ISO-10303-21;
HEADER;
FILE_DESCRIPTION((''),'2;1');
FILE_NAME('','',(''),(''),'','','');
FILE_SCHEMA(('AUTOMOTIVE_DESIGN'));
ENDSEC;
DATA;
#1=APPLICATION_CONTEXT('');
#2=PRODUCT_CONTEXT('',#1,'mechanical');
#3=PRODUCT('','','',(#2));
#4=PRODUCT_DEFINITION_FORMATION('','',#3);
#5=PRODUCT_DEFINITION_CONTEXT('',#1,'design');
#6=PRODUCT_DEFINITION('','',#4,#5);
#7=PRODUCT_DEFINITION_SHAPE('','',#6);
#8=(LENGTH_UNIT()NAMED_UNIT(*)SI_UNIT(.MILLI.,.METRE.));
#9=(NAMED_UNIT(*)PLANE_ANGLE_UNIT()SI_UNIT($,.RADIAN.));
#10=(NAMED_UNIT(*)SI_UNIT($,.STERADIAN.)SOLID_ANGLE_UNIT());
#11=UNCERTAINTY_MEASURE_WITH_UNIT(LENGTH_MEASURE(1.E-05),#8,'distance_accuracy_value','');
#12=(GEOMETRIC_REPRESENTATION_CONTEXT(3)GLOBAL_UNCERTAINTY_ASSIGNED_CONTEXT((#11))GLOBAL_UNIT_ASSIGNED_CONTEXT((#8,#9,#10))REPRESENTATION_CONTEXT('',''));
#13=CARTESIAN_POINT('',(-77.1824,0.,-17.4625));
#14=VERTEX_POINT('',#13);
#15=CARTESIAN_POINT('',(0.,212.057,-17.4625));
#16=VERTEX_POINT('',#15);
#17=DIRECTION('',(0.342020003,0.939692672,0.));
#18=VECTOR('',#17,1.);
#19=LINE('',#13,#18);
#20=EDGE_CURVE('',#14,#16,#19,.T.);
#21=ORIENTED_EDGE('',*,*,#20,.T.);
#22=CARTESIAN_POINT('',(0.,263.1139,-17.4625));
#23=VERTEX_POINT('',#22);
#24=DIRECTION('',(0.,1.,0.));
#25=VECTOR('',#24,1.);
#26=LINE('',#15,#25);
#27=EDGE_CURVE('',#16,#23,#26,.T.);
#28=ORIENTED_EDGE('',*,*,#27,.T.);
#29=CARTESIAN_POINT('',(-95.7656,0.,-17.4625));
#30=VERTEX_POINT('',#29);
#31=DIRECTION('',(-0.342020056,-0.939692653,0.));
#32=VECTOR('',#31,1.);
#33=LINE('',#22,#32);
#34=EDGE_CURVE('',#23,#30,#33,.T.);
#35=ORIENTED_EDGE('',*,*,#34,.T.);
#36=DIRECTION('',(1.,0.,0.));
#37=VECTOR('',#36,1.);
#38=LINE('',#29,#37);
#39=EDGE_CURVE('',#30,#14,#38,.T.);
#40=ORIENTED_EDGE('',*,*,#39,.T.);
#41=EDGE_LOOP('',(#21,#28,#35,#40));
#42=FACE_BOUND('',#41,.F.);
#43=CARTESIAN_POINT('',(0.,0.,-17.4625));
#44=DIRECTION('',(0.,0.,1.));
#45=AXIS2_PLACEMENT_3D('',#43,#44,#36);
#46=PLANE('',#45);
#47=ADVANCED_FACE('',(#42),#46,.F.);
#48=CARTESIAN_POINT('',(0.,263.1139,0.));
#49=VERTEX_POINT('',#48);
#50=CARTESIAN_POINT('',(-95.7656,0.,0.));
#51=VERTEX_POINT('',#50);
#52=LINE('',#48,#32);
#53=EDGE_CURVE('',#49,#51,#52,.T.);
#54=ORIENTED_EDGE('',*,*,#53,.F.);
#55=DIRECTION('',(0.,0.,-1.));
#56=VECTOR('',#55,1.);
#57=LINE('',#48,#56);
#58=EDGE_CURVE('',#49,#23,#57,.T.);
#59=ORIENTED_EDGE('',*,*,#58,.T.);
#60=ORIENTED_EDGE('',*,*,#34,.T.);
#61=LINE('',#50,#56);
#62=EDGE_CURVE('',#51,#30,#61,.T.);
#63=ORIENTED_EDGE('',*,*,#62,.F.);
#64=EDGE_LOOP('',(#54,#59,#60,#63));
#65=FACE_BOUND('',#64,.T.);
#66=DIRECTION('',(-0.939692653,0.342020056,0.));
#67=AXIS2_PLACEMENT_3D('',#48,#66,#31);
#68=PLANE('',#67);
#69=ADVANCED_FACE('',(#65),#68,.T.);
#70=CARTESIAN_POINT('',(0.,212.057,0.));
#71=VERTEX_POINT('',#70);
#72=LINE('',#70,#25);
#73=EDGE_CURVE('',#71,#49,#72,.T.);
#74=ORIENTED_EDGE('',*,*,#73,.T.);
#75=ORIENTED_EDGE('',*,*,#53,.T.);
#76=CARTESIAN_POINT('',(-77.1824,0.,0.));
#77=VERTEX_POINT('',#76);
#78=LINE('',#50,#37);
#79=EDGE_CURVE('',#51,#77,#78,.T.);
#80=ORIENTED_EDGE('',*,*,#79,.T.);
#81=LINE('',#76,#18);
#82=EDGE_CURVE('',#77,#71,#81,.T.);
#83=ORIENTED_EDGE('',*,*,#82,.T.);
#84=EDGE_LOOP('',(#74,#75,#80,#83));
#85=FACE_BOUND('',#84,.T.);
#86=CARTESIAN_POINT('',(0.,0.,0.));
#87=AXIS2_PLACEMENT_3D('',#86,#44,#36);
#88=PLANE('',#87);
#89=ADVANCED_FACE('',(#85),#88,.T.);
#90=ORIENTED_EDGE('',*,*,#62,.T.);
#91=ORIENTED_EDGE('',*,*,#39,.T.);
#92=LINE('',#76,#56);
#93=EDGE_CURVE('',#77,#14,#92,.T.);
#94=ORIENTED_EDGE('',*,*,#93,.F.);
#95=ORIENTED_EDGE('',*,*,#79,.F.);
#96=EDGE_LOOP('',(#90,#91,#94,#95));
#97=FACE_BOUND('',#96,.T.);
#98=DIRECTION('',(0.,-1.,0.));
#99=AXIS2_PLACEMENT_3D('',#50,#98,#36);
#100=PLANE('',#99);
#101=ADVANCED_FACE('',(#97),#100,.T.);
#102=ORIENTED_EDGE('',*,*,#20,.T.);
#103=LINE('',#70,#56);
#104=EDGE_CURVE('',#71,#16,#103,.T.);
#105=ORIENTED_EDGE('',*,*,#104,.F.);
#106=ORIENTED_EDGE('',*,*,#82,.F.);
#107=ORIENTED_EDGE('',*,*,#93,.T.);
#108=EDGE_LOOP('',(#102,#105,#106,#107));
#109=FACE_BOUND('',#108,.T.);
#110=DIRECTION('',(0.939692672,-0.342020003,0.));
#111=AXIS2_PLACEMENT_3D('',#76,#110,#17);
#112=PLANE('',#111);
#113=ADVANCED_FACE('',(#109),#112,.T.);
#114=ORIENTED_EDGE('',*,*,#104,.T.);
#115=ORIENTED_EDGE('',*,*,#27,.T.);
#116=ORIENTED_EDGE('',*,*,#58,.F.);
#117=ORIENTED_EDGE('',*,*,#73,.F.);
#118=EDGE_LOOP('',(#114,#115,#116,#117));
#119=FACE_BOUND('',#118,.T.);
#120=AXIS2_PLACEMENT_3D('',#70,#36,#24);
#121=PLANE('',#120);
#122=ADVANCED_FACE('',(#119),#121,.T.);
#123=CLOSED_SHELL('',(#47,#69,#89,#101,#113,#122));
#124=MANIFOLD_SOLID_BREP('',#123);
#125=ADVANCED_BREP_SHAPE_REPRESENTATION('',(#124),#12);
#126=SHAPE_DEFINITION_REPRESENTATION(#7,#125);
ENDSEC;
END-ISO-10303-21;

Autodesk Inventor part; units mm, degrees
ref_plane "YZ Plane" through (0, 0, 0) normal (1, 0, 0) x (0, 1, 0)
ref_plane "Work Plane1" through (0, 0, 0) normal (0, 0, 1) x (1, 0, 0)
sketch "Sketch1" plane through (0, 0, 0) normal (0, 0, 1) x (1, 0, 0)
  line L0 (-95.7656, 0) -> (-77.1824, 0)
  line L1 (-77.1824, 0) -> (0, 212.057)
  line L2 (0, 212.057) -> (0, 263.1139)
  line L3 (0, 263.1139) -> (-95.7656, 0)
  line L4 (-205, 0) -> (-205, -20) construction
  line L5 (0, 0) -> (0, 430) construction
  line L6 (-205, 0) -> (225, 0) construction
  line L7 (-55.0006, 112.001) -> (-38.5912, 106.0285) construction
  line L8 (0, 263.1139) -> (16.4094, 257.1414) construction
  line L9 (16.4094, 257.1414) -> (0, 212.057) construction
  line L10 (-95.7656, 0) -> (-79.3563, -5.9725) construction
  line L11 (-79.3563, -5.9725) -> (-77.1824, 0) construction
  line L12 (-115.95, -17.4625) -> (-115.95, 0) construction
  dimension "d0" = 70
  dimension "d4" = 280
  dimension "d5" = 20
  dimension "d6" = 20
ref_plane "Work Plane2" through (0, 0, -20) normal (0, 0, -1) x (0, 1, 0)
ref_plane "Work Plane3" through (-125, -17.4625, -17.4625) normal (0, 0, -1) x (0, 1, 0)
extrude "Extrusion1" add sketch "Sketch1" against normal up to surface (17.4625 mm away)
properties part number "BaseAngularLarge" material "Wood (Walnut)"
